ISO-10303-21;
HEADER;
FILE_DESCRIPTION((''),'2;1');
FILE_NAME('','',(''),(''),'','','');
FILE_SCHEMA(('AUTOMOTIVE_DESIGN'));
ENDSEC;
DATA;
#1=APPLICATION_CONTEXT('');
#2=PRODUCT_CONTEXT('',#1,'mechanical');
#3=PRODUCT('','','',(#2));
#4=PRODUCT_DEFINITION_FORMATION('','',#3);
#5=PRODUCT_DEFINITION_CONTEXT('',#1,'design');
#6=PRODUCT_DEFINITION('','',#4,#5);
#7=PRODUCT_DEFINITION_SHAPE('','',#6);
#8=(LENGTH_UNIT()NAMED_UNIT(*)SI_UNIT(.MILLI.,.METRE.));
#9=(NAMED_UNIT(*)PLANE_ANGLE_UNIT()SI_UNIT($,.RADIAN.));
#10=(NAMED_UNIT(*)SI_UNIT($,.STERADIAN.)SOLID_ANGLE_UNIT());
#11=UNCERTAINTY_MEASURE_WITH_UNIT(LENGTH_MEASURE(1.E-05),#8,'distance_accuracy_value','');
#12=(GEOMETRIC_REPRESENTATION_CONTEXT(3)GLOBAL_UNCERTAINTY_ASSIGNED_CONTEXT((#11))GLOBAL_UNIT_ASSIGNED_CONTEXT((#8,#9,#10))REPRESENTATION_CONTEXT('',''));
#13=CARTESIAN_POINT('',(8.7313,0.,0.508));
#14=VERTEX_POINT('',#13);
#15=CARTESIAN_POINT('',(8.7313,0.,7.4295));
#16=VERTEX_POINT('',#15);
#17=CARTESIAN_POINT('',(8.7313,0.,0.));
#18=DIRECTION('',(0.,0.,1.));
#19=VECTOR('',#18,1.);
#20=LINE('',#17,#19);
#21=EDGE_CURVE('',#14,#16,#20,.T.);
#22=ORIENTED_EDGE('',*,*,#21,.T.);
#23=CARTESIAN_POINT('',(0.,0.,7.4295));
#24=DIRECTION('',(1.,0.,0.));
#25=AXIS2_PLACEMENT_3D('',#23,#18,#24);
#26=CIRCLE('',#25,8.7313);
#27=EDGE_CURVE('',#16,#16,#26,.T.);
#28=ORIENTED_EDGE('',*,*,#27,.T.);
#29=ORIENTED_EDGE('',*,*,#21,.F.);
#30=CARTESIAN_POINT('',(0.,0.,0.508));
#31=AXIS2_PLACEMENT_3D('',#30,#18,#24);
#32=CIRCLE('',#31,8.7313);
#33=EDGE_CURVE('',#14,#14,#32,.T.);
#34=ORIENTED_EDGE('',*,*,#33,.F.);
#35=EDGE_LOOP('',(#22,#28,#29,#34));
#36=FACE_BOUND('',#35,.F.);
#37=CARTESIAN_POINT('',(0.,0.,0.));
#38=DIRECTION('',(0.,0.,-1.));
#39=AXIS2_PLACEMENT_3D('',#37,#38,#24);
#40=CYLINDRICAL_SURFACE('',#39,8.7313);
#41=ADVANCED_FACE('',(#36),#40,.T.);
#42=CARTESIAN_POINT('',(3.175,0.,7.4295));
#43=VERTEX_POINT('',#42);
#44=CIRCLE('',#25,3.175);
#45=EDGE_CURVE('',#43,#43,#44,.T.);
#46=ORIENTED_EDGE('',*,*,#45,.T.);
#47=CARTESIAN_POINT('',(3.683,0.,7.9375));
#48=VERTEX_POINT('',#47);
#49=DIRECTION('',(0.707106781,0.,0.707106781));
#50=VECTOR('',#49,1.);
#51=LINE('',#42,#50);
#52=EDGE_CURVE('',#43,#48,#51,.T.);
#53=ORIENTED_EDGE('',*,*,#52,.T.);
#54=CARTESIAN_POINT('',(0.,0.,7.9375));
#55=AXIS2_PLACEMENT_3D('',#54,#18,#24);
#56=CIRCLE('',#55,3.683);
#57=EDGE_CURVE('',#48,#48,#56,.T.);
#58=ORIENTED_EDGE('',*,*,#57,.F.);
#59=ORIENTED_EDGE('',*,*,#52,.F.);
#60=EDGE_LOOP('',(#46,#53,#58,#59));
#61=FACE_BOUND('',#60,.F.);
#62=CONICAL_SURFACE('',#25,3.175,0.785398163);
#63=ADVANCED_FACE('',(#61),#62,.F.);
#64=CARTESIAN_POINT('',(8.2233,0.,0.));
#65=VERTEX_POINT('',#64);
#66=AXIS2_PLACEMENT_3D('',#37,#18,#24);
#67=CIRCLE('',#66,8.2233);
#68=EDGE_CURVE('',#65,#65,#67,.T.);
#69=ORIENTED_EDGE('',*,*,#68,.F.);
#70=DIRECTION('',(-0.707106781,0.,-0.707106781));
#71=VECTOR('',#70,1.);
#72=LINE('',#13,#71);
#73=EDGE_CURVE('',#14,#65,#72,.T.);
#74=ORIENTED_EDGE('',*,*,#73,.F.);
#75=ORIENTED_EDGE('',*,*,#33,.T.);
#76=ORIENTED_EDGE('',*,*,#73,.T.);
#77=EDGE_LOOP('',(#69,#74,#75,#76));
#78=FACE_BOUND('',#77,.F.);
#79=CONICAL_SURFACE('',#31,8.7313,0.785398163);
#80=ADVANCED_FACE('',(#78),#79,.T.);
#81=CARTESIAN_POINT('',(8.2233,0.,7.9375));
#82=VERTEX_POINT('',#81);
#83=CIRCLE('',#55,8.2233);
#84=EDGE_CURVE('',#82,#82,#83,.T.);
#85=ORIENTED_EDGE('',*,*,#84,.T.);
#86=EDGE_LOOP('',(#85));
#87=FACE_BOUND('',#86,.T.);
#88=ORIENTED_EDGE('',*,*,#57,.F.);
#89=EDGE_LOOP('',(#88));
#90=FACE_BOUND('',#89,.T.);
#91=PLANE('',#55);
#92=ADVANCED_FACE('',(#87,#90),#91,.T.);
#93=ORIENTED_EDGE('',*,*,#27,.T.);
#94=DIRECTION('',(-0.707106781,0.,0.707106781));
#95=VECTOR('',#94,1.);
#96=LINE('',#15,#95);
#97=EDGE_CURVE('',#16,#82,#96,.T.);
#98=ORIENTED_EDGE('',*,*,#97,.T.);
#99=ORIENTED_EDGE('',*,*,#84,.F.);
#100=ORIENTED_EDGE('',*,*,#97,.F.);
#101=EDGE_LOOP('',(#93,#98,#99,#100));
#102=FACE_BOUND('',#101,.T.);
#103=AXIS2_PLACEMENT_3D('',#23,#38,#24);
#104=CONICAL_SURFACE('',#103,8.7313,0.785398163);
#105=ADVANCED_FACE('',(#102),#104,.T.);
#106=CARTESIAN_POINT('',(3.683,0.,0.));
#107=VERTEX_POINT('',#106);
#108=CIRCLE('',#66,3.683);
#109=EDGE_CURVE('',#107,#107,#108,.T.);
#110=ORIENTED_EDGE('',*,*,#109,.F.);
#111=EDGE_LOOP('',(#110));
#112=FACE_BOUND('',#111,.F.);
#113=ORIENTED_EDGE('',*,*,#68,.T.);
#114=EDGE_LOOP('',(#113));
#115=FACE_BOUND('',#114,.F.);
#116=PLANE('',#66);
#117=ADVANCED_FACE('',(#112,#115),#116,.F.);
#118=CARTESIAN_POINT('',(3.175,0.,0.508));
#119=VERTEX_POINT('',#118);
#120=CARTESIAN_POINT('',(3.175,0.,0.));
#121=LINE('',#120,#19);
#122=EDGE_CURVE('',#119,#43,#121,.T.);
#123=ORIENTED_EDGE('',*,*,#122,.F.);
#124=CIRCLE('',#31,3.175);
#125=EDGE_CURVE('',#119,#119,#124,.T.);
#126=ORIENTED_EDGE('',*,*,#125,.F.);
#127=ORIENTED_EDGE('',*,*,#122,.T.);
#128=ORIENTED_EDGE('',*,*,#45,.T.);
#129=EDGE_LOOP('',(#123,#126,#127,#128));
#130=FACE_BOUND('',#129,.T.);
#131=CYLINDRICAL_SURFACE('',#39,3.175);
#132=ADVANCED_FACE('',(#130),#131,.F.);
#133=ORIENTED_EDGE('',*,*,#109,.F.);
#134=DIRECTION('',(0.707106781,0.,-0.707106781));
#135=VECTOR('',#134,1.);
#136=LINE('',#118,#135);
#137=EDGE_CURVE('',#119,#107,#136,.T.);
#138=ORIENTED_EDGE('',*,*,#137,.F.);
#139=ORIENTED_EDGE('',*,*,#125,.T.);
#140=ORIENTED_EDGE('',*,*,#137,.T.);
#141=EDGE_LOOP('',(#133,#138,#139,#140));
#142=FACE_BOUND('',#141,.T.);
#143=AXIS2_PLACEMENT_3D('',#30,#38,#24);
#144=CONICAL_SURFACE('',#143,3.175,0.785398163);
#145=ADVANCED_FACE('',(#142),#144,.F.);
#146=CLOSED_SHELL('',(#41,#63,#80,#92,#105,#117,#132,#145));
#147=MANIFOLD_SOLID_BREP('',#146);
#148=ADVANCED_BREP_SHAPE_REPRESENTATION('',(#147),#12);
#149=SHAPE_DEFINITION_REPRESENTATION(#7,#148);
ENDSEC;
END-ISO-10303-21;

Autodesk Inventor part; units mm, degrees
ref_plane "YZ Plane" through (0, 0, 0) normal (1, 0, 0) x (0, 1, 0)
sketch "Sketch1" plane through (0, 0, 0) normal (0, 0, 1) x (1, 0, 0)
  circle A0 centre (0, 0) radius 3.175
  circle A1 centre (0, 0) radius 8.7313
  dimension "d7" = 6.35
  dimension "d8" = 17.4625
extrude "Extrusion1" add sketch "Sketch1" along normal blind 7.9375
chamfer "Chamfer1" distance 0.508 angle 45 4 edges at (-8.7313, 0, 7.9375) (-3.175, 0, 7.9375) (-3.175, 0, 0) (-8.7313, 0, 0)
ref_plane "Work Plane1" through (0, 0, 3.9688) normal (0, 0, 1) x (1, 0, 0)
ref_plane "Work Plane2" through (0, 0, 3.9688) normal (0, 0, 1) x (1, 0, 0)
properties part number "Ball Bearing 1_4x11_16x5_16 Sealed 1602DC 1602-2RS" material "Steel"
